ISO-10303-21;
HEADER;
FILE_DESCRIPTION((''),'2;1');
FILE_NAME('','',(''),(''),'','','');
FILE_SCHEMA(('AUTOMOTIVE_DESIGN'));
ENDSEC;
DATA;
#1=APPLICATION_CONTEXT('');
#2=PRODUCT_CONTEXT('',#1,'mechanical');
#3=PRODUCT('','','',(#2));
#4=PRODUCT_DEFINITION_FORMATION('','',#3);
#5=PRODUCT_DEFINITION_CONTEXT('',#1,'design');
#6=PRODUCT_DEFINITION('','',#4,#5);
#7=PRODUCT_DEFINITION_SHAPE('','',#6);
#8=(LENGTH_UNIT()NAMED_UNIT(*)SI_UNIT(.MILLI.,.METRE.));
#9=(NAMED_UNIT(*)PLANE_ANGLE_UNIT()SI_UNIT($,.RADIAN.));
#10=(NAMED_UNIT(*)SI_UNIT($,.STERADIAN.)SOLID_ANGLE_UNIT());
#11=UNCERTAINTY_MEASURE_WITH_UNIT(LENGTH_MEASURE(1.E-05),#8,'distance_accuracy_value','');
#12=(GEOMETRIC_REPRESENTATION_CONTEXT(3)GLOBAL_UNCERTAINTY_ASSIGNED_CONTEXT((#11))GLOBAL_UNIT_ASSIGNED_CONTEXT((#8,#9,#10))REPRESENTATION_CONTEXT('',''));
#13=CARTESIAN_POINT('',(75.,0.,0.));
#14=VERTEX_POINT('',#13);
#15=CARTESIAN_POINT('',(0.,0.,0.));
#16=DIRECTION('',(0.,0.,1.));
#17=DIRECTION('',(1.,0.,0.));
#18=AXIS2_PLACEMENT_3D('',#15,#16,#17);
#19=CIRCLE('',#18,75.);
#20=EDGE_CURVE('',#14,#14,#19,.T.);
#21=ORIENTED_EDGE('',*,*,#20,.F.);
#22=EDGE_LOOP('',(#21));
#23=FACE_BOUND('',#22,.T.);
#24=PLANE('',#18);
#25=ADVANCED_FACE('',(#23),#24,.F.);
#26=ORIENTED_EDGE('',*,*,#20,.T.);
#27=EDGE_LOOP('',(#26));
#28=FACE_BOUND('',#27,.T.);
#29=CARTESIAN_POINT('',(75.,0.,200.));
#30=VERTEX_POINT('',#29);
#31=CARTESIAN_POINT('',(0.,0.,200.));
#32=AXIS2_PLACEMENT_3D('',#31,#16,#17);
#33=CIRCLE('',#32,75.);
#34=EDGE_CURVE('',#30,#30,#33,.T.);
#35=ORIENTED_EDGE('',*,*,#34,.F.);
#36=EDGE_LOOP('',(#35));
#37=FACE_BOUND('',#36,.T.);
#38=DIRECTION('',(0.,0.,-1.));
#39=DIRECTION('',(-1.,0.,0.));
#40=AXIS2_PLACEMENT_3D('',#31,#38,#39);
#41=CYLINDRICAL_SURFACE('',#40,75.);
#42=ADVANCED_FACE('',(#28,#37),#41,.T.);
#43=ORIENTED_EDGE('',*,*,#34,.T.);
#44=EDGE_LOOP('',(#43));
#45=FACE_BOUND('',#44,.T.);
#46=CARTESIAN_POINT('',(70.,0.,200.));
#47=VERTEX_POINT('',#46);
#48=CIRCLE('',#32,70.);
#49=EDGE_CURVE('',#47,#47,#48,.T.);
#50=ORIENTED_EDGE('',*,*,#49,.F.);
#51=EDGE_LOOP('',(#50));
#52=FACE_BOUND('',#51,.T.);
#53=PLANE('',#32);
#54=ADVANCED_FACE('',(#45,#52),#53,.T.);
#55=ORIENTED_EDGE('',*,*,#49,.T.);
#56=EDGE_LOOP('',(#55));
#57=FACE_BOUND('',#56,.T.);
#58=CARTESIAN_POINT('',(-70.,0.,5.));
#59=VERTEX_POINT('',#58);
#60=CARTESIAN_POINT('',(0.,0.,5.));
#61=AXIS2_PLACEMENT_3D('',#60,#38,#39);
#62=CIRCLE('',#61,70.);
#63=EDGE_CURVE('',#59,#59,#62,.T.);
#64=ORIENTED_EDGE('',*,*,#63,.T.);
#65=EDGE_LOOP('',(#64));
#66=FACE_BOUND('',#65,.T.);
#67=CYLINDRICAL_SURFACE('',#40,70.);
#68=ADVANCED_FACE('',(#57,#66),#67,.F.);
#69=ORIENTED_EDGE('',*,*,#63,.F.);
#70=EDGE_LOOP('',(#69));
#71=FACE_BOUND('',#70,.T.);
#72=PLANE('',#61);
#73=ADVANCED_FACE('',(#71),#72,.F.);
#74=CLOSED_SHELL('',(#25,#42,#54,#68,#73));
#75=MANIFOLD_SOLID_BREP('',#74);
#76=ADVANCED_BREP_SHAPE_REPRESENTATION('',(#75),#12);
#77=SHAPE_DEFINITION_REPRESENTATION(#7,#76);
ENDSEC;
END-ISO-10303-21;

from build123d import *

# Parameters (mm, degrees)
ESQUISSE1_R        = 75
ESQUISSE1_R_2      = 70
BOSS_EXTRU_1_DEPTH = 200
ESQUISSE2_R        = 70
BOSS_EXTRU_2_DEPTH = 5


with BuildPart() as part:
    # Esquisse1 → Boss.-Extru.1 (new body)
    with BuildSketch(Plane.XY):
        Circle(ESQUISSE1_R)
        Circle(ESQUISSE1_R_2, mode=Mode.SUBTRACT)
    extrude(amount=BOSS_EXTRU_1_DEPTH)

    # Esquisse2 → Boss.-Extru.2 (add)
    with BuildSketch(Plane(origin=(0, 0, 0), x_dir=(-1, 0, 0), z_dir=(0, 0, -1))):
        Circle(ESQUISSE2_R)
    extrude(amount=-BOSS_EXTRU_2_DEPTH)


solid = part.part
